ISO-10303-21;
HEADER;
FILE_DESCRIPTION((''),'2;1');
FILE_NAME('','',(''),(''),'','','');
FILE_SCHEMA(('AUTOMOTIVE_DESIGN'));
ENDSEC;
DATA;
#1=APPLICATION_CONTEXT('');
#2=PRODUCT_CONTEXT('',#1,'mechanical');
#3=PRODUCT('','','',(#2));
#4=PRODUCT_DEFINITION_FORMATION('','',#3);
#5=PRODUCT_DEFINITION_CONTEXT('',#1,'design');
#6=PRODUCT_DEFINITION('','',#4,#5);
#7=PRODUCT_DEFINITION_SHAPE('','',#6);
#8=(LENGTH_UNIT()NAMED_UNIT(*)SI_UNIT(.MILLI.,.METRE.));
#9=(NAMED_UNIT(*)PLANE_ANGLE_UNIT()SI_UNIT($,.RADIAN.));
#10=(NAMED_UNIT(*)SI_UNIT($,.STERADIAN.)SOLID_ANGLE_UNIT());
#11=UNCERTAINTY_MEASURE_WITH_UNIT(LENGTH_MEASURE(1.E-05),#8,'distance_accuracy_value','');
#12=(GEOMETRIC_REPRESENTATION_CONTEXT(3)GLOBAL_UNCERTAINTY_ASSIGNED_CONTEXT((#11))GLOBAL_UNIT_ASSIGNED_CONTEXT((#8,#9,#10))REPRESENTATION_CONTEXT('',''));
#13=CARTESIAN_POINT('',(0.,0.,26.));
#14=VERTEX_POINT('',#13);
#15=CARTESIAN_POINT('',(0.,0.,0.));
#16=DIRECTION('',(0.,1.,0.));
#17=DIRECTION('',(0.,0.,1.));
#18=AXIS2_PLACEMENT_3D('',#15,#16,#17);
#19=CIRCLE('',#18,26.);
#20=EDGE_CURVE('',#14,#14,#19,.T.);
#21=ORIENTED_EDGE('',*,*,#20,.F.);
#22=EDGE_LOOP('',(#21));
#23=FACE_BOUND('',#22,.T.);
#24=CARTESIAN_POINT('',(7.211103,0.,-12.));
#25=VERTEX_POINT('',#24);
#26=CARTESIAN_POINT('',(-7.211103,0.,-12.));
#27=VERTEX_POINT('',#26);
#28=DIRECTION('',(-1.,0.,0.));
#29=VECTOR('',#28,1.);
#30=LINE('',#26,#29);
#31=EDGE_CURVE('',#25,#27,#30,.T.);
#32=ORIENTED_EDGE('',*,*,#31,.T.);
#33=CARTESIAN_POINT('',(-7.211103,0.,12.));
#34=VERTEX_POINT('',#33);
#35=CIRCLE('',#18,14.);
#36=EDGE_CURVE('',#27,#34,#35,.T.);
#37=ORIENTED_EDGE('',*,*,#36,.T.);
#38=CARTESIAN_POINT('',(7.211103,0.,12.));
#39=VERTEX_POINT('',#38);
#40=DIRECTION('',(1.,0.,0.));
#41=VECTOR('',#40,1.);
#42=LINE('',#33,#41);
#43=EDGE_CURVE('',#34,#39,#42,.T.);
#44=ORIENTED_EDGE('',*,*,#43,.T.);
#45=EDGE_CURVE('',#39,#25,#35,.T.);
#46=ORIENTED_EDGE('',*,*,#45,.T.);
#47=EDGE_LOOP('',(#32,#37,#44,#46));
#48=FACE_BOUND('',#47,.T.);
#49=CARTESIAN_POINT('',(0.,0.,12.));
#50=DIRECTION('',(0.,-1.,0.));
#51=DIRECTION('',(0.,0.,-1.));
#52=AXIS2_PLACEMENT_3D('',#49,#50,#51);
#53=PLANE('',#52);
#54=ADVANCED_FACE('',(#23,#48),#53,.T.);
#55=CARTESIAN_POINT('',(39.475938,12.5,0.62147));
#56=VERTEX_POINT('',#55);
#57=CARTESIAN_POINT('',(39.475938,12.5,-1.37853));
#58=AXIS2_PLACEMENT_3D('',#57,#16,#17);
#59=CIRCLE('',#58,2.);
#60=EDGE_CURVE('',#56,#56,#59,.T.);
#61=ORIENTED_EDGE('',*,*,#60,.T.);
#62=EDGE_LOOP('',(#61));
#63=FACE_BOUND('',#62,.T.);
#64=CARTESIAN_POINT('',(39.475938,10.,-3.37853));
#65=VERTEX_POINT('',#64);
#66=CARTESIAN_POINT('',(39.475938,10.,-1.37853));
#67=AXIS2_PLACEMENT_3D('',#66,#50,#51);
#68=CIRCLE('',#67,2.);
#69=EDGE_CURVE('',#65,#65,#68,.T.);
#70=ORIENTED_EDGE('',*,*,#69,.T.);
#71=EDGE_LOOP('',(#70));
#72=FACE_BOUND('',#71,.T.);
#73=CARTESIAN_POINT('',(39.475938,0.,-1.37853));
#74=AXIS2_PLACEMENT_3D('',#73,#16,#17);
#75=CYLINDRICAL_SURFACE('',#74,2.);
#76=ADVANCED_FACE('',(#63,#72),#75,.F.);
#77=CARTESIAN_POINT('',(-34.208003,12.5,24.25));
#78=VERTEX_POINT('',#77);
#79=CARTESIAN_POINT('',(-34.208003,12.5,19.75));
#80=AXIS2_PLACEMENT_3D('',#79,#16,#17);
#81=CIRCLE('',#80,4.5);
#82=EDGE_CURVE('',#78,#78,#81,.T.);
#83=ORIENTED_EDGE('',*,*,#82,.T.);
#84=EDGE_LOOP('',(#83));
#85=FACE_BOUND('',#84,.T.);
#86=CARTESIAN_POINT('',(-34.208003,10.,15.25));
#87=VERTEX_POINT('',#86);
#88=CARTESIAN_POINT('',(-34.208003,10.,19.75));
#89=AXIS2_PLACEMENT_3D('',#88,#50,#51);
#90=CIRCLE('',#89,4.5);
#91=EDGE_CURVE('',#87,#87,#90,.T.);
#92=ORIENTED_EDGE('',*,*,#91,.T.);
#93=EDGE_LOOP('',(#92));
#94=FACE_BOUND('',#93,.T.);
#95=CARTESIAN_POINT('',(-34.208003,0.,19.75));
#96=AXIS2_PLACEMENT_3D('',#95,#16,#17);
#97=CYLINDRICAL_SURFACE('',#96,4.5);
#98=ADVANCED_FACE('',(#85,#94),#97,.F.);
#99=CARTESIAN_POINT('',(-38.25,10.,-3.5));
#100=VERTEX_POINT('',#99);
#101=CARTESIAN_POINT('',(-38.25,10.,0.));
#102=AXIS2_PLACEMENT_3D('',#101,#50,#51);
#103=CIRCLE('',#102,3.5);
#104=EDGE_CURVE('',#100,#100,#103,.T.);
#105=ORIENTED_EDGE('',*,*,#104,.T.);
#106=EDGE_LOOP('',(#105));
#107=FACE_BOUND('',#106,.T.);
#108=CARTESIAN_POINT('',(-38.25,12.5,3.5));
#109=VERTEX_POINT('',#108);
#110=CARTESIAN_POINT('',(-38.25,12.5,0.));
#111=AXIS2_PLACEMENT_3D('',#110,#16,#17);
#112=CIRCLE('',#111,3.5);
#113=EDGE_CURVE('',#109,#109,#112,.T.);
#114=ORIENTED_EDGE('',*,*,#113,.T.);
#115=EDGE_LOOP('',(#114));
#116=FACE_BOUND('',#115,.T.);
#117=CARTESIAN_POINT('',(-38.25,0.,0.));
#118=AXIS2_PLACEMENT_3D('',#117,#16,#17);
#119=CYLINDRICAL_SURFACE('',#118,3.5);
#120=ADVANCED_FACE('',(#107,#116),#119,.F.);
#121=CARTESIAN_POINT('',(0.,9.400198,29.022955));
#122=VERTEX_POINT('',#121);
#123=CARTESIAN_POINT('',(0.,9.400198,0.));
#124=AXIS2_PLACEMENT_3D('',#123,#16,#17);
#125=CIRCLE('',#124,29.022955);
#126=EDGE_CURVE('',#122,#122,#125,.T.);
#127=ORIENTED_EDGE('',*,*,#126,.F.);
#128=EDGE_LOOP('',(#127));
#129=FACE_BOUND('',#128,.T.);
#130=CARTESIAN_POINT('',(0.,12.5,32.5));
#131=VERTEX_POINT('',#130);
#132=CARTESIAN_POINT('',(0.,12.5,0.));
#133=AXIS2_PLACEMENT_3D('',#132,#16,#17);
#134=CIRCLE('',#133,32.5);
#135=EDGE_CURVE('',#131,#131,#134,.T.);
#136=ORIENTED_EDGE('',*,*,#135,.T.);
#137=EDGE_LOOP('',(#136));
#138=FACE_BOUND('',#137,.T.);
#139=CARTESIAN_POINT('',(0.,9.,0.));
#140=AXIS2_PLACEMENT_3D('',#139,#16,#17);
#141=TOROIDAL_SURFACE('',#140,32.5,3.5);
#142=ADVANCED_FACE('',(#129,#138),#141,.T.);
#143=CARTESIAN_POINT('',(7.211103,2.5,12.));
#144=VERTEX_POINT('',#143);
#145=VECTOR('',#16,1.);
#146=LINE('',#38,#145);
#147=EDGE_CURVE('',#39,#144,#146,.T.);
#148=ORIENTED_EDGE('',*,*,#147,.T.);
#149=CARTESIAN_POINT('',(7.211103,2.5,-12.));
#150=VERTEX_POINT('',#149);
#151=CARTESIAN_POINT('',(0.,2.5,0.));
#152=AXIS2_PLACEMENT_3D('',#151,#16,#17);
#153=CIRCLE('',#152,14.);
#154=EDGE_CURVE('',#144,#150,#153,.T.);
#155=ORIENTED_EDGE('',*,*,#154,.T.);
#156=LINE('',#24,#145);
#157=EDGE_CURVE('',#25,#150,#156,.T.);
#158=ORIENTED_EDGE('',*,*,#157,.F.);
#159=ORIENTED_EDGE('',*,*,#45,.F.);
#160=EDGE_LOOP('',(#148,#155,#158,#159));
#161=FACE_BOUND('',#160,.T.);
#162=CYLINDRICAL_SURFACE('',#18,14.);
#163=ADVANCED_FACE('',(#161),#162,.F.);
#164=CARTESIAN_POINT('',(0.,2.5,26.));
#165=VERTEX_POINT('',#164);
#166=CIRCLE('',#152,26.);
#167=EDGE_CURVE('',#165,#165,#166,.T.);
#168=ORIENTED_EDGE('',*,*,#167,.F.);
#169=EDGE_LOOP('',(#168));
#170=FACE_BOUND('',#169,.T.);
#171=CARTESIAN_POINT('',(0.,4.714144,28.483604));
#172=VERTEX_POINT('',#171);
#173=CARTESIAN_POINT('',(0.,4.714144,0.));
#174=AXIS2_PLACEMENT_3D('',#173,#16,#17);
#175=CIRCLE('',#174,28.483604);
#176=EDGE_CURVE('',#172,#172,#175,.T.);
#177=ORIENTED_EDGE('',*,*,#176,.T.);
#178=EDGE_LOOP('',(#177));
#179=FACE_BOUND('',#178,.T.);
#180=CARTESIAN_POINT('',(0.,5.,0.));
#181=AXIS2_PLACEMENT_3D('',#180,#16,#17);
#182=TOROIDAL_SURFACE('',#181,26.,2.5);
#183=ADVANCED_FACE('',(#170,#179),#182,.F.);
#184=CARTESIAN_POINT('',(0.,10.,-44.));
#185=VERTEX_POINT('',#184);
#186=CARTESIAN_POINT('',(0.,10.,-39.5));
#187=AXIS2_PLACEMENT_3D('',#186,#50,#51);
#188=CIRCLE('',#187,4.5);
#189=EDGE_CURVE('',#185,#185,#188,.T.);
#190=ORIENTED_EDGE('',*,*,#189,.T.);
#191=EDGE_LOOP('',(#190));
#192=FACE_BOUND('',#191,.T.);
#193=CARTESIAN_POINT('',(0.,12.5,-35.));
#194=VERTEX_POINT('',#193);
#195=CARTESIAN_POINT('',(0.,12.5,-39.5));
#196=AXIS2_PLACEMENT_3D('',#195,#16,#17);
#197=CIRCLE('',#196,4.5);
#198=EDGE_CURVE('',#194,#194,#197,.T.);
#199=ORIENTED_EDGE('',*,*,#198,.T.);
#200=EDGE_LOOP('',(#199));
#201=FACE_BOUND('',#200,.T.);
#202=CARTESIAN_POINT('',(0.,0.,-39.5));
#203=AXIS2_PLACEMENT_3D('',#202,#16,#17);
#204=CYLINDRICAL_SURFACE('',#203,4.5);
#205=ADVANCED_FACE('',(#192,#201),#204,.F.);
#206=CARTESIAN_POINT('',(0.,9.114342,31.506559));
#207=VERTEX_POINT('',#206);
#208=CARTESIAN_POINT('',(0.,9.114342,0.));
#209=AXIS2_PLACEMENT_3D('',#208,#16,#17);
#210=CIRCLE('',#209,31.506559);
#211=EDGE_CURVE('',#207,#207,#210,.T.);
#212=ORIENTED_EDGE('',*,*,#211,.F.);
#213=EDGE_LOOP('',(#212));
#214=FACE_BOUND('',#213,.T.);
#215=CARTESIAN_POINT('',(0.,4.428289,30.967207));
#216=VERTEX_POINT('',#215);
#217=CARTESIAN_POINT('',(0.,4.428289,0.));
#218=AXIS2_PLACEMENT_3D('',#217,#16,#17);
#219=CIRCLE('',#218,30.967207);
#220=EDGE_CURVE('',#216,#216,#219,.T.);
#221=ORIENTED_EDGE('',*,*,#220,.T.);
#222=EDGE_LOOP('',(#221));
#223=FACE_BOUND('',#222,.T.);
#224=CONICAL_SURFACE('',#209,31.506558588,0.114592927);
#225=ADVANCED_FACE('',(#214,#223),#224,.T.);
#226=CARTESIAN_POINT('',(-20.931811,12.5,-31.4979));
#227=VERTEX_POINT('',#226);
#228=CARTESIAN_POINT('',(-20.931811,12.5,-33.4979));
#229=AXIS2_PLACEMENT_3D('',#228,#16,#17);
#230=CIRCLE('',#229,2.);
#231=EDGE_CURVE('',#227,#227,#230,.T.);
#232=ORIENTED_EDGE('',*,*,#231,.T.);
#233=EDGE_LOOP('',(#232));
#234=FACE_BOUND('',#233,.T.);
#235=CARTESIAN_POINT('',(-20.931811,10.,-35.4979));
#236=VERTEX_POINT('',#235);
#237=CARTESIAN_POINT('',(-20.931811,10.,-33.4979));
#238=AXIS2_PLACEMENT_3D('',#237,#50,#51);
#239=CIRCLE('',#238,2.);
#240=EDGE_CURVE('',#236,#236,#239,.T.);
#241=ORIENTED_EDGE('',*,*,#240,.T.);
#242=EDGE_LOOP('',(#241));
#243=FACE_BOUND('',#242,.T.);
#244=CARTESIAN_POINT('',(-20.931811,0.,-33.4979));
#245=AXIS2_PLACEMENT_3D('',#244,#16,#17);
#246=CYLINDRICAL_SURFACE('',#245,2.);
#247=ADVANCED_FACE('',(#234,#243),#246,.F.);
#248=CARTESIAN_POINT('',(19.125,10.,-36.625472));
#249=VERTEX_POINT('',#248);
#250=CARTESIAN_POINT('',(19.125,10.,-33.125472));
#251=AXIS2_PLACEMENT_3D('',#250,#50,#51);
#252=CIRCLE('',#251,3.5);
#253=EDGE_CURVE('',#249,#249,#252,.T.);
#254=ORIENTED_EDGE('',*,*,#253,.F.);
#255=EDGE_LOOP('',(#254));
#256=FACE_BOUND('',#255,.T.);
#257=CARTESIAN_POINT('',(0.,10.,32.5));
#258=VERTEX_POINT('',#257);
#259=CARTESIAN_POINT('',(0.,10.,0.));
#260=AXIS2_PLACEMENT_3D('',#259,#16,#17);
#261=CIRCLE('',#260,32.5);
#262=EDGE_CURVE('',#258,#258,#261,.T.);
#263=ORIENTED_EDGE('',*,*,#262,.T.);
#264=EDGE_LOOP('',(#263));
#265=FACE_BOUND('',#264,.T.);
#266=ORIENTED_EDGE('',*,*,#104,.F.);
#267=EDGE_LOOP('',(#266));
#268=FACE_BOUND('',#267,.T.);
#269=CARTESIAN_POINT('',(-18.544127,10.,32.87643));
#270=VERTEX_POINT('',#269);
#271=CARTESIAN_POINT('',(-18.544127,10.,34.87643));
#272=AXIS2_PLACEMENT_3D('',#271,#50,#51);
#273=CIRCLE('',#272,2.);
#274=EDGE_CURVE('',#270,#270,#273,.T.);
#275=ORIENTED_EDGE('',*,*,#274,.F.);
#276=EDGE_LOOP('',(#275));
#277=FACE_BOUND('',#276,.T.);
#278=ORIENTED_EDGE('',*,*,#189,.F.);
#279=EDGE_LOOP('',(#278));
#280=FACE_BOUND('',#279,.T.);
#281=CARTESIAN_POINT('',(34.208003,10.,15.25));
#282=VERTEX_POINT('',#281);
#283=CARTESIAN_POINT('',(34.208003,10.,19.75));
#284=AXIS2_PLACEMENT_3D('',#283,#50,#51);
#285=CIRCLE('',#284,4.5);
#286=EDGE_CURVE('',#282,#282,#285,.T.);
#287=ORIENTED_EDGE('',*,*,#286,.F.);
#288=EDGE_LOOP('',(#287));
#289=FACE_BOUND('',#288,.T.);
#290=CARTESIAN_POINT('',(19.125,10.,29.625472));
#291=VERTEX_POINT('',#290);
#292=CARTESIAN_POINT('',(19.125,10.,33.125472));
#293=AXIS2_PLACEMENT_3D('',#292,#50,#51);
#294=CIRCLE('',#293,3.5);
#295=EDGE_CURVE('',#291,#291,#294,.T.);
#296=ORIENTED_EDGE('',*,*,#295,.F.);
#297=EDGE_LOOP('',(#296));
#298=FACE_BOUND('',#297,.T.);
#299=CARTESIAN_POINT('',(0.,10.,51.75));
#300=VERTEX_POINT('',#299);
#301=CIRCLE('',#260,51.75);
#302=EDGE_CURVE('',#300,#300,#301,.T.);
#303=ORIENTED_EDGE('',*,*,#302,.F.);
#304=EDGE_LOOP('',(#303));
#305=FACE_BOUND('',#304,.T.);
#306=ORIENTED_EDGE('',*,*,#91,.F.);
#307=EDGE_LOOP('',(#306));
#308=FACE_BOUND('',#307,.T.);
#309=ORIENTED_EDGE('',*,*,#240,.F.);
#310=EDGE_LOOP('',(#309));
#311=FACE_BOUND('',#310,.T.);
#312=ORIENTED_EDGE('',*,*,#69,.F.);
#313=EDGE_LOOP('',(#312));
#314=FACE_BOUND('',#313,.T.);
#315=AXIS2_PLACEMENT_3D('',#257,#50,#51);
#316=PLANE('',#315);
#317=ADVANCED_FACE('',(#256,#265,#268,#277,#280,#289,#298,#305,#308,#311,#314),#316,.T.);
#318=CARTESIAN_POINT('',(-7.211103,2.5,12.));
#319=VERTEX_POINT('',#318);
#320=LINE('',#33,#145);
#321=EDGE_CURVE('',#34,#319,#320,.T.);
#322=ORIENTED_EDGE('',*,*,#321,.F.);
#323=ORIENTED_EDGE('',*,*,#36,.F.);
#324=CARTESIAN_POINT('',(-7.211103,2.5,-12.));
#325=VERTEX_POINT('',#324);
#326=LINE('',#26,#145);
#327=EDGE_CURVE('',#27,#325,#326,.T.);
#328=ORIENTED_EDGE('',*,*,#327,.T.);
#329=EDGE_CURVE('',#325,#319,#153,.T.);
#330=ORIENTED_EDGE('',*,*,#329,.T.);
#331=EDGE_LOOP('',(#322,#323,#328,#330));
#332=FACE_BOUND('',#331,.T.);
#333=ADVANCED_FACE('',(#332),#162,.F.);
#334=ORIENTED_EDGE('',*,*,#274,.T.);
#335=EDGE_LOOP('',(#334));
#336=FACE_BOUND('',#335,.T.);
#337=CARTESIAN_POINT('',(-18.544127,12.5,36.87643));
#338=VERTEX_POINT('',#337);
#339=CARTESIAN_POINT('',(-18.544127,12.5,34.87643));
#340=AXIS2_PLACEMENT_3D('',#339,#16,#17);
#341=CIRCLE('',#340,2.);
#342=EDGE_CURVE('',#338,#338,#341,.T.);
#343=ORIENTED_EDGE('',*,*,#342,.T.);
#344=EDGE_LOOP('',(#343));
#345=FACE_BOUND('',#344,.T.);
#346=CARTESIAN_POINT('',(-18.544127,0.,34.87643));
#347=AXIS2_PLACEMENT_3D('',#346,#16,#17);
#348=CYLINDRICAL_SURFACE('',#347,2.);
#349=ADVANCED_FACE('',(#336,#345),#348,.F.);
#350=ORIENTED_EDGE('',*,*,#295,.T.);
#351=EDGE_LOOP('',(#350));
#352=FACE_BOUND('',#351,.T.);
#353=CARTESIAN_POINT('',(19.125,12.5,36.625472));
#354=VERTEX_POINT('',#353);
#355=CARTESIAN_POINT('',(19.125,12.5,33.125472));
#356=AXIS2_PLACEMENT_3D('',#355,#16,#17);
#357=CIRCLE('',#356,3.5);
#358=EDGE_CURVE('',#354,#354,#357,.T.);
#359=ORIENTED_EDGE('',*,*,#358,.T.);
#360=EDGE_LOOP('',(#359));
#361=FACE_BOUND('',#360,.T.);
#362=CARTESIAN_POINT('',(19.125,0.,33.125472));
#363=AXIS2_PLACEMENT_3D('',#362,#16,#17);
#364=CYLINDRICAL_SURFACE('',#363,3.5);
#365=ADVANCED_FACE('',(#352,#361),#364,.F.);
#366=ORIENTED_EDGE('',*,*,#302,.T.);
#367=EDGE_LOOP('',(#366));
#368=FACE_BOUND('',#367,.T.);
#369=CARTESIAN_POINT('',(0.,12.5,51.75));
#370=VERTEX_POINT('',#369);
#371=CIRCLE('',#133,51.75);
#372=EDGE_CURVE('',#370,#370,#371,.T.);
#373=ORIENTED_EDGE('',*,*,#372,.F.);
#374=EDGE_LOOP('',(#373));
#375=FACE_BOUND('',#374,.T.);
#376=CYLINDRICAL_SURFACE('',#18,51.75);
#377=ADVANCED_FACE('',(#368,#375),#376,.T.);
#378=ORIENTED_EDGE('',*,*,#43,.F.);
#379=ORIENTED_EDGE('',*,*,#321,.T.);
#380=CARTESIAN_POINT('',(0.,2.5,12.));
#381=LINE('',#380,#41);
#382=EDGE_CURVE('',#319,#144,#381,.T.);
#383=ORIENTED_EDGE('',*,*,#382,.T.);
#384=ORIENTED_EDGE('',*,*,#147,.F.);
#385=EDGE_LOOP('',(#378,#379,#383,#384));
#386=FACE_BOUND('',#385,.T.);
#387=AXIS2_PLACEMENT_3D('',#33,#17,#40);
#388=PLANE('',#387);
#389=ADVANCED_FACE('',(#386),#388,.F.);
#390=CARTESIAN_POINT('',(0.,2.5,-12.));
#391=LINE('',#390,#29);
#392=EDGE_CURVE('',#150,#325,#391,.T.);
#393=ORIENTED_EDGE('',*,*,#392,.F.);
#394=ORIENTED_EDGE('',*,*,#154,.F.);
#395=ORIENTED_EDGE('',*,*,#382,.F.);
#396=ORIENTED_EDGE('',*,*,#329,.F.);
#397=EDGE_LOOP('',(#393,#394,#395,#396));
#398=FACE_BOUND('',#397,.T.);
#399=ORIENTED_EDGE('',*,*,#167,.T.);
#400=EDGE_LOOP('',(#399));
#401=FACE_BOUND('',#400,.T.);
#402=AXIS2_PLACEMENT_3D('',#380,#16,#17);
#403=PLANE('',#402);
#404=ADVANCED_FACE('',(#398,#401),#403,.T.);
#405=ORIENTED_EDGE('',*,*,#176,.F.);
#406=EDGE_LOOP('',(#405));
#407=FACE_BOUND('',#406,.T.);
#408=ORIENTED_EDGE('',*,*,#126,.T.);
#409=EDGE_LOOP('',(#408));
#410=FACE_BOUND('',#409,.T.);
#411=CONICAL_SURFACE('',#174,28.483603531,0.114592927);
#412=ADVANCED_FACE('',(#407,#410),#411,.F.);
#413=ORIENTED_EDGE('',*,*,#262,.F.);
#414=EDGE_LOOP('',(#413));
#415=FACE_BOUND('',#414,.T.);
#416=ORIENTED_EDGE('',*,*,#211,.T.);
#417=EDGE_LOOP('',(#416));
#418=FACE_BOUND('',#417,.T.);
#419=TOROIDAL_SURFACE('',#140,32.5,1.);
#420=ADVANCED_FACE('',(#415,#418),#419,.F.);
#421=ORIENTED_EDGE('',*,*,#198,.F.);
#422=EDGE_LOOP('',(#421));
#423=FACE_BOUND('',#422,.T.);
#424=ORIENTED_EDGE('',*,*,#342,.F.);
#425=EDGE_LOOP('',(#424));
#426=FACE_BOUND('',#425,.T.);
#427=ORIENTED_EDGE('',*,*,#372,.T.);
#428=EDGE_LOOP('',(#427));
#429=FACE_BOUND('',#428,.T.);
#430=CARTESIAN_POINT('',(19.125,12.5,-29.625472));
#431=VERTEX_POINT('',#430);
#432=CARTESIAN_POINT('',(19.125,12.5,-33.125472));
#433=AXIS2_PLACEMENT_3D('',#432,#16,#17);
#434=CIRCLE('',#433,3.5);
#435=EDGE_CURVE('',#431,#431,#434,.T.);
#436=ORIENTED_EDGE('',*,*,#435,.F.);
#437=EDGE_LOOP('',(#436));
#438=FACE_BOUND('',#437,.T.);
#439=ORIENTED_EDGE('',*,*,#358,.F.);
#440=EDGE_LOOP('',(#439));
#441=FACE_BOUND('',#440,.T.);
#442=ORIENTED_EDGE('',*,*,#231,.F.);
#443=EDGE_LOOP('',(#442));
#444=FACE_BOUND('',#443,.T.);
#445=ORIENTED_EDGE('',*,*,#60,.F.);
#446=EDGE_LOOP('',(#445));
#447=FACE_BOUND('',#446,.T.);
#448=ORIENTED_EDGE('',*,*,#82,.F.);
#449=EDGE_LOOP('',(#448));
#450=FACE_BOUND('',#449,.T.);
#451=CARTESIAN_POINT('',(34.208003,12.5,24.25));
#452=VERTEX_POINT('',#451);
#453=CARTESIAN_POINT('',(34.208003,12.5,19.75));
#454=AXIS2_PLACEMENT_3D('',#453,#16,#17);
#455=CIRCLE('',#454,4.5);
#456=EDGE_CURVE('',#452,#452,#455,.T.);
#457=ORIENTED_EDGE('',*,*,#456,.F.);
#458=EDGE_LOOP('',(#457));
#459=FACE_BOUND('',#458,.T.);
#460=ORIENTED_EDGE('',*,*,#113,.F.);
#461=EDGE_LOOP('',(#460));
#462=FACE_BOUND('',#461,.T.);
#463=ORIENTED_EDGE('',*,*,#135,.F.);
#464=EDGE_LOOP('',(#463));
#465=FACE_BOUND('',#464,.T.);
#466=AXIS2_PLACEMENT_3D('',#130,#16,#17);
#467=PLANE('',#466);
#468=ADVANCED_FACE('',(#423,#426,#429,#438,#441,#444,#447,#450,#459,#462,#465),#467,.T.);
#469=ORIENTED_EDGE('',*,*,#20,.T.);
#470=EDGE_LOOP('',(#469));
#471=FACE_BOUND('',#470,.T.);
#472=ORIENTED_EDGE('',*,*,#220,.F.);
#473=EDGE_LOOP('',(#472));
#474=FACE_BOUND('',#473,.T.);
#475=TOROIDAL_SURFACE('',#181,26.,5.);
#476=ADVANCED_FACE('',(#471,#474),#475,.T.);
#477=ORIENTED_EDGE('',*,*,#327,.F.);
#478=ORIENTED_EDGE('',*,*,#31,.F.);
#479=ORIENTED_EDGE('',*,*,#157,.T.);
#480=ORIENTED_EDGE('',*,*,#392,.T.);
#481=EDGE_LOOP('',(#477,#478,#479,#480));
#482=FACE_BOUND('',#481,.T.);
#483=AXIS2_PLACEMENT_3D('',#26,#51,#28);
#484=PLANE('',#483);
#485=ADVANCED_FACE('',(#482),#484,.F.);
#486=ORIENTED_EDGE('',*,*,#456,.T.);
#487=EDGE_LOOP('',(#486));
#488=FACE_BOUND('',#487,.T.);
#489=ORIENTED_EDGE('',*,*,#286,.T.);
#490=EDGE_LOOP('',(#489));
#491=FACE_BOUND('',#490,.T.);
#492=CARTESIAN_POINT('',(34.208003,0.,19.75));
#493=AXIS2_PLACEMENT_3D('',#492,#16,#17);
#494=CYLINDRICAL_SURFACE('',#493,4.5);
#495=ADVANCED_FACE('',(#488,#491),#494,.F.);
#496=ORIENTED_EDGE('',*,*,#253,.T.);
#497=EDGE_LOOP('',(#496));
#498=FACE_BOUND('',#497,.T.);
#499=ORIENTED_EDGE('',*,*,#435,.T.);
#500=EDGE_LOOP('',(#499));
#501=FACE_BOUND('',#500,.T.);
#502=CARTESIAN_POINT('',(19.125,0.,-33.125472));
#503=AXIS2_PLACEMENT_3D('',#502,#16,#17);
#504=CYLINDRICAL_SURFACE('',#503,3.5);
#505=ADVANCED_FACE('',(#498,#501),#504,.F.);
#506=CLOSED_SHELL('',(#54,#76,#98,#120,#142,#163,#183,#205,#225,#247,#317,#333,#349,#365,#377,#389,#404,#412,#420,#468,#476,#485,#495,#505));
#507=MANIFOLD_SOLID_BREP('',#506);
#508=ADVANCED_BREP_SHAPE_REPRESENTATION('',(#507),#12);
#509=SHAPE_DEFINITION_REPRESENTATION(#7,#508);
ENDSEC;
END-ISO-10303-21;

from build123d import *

# Parameters (mm, degrees)
CORTE_EXTRUS_O1_DEPTH      = 74.865587387
CORTE_EXTRUS_O1_DEPTH_BACK = 74.865587387
ESBO_O2_R                  = 4.5
ESBO_O2_R_2                = 2
ESBO_O2_R_3                = 3.5


with BuildPart() as part:
    # Esboço1 → Revolução1 (revolve)
    with BuildSketch(Plane(origin=(0, 0, 0), x_dir=(0, 0, -1), z_dir=(1, 0, 0))):
        with BuildLine():
            Line((-12, 0), (-26, 0))
            ThreePointArc((-26, 0), (-29.327269348, 1.267805111), (-30.967207061, 4.428288525))
            Line((-30.967207061, 4.428288525), (-31.506558588, 9.114342295))
            ThreePointArc((-31.506558588, 9.114342295), (-31.83454613, 9.746438978), (-32.5, 10))
            Line((-32.5, 10), (-51.75, 10))
            Line((-51.75, 10), (-51.75, 12.5))
            Line((-51.75, 12.5), (-32.5, 12.5))
            ThreePointArc((-32.5, 12.5), (-30.170911456, 11.612536422), (-29.022955057, 9.400198032))
            Line((-29.022955057, 9.400198032), (-28.483603531, 4.714144263))
            ThreePointArc((-28.483603531, 4.714144263), (-27.663634674, 3.133902556), (-26, 2.5))
            Line((-26, 2.5), (-12, 2.5))
            Line((-12, 2.5), (-12, 0))
        make_face()
    revolve(axis=Axis((0, 0, 0), (0, -1, 0)))

    # Esboço2 → Corte-extrusão1 (cut, two sides: drawn at the far end of the back side and taken through both)
    with BuildSketch(Plane(origin=(0, 2.5, 0), x_dir=(1, 0, 0), z_dir=(0, 1, 0)).offset(-CORTE_EXTRUS_O1_DEPTH_BACK)):
        with Locations(Location((0, 39.5, 0), (0, 0, 270))):
            Circle(ESBO_O2_R)
        with Locations(Location((-20.931810937, 33.497899798, 0), (0, 0, 270))):
            Circle(ESBO_O2_R_2)
        with Locations(Location((19.125, 33.125471695, 0), (0, 0, 270))):
            Circle(ESBO_O2_R_3)
        with Locations(Location((19.125, -33.125471695, 0), (0, 0, 270))):
            Circle(ESBO_O2_R_3)
        with Locations(Location((34.208003449, -19.75, 0), (0, 0, 270))):
            Circle(ESBO_O2_R)
        with Locations(Location((39.475937667, 1.37853012, 0), (0, 0, 270))):
            Circle(ESBO_O2_R_2)
        with Locations(Location((-38.25, 0, 0), (0, 0, 270))):
            Circle(ESBO_O2_R_3)
        with Locations(Location((-34.208003449, -19.75, 0), (0, 0, 270))):
            Circle(ESBO_O2_R)
        with Locations(Location((-18.54412673, -34.876429918, 0), (0, 0, 270))):
            Circle(ESBO_O2_R_2)
        with BuildLine():
            Line((-7.211102551, 12), (7.211102551, 12))
            ThreePointArc((7.211102551, 12), (14, 0), (7.211102551, -12))
            Line((7.211102551, -12), (-7.211102551, -12))
            ThreePointArc((-7.211102551, -12), (-14, 0), (-7.211102551, 12))
        make_face()
    extrude(amount=CORTE_EXTRUS_O1_DEPTH + CORTE_EXTRUS_O1_DEPTH_BACK, mode=Mode.SUBTRACT)


solid = part.part
